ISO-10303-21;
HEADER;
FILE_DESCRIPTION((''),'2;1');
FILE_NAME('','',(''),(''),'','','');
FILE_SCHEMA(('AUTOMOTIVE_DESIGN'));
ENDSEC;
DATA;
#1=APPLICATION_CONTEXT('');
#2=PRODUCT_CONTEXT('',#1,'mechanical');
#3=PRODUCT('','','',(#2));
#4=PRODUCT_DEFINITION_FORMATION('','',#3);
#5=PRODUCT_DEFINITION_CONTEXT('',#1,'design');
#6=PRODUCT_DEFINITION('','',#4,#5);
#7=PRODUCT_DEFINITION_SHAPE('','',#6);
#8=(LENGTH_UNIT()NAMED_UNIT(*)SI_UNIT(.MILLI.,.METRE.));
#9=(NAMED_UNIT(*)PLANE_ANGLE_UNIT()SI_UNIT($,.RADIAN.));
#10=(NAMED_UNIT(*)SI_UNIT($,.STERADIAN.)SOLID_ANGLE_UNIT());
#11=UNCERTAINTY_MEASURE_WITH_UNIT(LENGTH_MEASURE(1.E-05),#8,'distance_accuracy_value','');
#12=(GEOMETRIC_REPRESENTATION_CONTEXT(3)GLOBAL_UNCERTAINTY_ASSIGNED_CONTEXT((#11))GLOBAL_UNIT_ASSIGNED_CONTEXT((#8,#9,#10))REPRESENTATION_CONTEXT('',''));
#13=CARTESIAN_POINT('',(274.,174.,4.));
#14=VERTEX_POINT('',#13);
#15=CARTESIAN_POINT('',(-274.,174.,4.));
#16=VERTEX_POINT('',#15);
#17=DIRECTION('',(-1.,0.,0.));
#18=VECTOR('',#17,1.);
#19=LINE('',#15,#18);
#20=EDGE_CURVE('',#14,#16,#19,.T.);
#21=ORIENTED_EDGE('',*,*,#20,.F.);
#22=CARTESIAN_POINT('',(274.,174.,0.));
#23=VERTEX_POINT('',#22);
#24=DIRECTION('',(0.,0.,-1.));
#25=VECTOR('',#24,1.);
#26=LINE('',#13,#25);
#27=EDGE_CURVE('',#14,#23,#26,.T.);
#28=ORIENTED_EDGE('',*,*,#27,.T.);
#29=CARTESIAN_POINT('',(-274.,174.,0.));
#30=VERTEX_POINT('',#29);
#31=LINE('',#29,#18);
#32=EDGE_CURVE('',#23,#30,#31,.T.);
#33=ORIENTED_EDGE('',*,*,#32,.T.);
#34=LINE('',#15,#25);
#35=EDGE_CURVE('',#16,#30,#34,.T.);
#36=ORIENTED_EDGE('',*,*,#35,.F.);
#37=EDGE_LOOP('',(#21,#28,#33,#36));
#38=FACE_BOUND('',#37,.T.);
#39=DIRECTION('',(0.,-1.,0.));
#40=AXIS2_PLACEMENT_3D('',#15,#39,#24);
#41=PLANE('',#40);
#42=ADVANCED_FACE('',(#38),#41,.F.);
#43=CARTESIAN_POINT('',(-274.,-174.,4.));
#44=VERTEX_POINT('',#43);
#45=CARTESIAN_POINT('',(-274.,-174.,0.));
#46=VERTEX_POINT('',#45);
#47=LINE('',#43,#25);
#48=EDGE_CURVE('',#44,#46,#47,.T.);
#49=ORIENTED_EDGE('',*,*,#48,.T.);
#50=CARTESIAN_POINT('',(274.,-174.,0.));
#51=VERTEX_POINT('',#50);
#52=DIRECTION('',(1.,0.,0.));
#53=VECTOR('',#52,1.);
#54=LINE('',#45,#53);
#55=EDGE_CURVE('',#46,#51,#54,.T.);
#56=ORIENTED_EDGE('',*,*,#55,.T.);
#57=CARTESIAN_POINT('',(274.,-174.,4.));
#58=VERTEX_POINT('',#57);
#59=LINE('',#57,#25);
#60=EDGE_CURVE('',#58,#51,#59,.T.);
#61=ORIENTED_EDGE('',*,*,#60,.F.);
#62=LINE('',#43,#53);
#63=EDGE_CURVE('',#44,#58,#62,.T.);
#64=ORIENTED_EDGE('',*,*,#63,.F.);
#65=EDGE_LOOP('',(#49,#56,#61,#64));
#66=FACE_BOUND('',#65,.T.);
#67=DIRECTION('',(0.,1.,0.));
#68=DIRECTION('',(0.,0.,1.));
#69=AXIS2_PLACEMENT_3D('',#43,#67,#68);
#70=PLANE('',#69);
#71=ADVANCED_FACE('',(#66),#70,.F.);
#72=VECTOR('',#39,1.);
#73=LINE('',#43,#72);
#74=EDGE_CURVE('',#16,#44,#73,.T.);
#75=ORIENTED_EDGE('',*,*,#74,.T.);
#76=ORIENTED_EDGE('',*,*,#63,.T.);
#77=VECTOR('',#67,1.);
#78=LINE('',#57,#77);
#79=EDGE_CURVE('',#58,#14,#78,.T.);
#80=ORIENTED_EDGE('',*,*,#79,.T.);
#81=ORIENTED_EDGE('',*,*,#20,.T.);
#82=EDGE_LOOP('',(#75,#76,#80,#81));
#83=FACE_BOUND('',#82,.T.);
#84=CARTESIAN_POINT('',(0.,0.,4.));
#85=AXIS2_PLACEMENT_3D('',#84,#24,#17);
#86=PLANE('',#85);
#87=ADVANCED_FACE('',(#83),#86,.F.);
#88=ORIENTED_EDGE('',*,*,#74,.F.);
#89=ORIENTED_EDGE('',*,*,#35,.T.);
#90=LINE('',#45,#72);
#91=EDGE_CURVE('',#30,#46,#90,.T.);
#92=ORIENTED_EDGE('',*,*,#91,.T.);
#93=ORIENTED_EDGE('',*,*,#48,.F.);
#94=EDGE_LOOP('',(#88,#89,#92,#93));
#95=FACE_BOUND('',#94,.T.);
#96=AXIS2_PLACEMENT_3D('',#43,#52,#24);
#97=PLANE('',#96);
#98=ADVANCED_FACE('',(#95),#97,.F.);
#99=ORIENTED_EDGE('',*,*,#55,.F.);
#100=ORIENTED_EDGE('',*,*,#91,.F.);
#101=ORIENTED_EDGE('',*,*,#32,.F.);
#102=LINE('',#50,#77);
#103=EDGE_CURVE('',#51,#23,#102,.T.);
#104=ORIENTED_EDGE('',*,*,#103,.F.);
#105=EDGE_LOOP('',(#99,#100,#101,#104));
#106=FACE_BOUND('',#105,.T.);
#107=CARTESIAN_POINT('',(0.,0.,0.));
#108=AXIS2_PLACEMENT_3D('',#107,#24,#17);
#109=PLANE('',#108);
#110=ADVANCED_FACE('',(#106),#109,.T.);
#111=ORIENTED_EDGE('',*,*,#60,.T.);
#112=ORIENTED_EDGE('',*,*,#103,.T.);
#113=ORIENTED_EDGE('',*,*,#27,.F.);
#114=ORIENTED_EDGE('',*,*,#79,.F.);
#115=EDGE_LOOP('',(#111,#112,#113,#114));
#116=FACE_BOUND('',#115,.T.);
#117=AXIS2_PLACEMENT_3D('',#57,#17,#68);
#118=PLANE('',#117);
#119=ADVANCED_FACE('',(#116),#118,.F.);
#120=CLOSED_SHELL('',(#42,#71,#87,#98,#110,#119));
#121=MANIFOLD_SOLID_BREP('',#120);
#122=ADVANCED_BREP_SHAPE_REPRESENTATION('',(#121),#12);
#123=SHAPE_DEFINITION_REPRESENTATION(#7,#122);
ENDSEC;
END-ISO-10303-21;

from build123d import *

# Parameters (mm, degrees)
ESQUISSE1_W        = 548
ESQUISSE1_H        = 348
BOSS_EXTRU_1_DEPTH = 4


with BuildPart() as part:
    # Esquisse1 → Boss.-Extru.1 (new body)
    with BuildSketch(Plane.XY):
        Rectangle(ESQUISSE1_W, ESQUISSE1_H)
    extrude(amount=BOSS_EXTRU_1_DEPTH)


solid = part.part
